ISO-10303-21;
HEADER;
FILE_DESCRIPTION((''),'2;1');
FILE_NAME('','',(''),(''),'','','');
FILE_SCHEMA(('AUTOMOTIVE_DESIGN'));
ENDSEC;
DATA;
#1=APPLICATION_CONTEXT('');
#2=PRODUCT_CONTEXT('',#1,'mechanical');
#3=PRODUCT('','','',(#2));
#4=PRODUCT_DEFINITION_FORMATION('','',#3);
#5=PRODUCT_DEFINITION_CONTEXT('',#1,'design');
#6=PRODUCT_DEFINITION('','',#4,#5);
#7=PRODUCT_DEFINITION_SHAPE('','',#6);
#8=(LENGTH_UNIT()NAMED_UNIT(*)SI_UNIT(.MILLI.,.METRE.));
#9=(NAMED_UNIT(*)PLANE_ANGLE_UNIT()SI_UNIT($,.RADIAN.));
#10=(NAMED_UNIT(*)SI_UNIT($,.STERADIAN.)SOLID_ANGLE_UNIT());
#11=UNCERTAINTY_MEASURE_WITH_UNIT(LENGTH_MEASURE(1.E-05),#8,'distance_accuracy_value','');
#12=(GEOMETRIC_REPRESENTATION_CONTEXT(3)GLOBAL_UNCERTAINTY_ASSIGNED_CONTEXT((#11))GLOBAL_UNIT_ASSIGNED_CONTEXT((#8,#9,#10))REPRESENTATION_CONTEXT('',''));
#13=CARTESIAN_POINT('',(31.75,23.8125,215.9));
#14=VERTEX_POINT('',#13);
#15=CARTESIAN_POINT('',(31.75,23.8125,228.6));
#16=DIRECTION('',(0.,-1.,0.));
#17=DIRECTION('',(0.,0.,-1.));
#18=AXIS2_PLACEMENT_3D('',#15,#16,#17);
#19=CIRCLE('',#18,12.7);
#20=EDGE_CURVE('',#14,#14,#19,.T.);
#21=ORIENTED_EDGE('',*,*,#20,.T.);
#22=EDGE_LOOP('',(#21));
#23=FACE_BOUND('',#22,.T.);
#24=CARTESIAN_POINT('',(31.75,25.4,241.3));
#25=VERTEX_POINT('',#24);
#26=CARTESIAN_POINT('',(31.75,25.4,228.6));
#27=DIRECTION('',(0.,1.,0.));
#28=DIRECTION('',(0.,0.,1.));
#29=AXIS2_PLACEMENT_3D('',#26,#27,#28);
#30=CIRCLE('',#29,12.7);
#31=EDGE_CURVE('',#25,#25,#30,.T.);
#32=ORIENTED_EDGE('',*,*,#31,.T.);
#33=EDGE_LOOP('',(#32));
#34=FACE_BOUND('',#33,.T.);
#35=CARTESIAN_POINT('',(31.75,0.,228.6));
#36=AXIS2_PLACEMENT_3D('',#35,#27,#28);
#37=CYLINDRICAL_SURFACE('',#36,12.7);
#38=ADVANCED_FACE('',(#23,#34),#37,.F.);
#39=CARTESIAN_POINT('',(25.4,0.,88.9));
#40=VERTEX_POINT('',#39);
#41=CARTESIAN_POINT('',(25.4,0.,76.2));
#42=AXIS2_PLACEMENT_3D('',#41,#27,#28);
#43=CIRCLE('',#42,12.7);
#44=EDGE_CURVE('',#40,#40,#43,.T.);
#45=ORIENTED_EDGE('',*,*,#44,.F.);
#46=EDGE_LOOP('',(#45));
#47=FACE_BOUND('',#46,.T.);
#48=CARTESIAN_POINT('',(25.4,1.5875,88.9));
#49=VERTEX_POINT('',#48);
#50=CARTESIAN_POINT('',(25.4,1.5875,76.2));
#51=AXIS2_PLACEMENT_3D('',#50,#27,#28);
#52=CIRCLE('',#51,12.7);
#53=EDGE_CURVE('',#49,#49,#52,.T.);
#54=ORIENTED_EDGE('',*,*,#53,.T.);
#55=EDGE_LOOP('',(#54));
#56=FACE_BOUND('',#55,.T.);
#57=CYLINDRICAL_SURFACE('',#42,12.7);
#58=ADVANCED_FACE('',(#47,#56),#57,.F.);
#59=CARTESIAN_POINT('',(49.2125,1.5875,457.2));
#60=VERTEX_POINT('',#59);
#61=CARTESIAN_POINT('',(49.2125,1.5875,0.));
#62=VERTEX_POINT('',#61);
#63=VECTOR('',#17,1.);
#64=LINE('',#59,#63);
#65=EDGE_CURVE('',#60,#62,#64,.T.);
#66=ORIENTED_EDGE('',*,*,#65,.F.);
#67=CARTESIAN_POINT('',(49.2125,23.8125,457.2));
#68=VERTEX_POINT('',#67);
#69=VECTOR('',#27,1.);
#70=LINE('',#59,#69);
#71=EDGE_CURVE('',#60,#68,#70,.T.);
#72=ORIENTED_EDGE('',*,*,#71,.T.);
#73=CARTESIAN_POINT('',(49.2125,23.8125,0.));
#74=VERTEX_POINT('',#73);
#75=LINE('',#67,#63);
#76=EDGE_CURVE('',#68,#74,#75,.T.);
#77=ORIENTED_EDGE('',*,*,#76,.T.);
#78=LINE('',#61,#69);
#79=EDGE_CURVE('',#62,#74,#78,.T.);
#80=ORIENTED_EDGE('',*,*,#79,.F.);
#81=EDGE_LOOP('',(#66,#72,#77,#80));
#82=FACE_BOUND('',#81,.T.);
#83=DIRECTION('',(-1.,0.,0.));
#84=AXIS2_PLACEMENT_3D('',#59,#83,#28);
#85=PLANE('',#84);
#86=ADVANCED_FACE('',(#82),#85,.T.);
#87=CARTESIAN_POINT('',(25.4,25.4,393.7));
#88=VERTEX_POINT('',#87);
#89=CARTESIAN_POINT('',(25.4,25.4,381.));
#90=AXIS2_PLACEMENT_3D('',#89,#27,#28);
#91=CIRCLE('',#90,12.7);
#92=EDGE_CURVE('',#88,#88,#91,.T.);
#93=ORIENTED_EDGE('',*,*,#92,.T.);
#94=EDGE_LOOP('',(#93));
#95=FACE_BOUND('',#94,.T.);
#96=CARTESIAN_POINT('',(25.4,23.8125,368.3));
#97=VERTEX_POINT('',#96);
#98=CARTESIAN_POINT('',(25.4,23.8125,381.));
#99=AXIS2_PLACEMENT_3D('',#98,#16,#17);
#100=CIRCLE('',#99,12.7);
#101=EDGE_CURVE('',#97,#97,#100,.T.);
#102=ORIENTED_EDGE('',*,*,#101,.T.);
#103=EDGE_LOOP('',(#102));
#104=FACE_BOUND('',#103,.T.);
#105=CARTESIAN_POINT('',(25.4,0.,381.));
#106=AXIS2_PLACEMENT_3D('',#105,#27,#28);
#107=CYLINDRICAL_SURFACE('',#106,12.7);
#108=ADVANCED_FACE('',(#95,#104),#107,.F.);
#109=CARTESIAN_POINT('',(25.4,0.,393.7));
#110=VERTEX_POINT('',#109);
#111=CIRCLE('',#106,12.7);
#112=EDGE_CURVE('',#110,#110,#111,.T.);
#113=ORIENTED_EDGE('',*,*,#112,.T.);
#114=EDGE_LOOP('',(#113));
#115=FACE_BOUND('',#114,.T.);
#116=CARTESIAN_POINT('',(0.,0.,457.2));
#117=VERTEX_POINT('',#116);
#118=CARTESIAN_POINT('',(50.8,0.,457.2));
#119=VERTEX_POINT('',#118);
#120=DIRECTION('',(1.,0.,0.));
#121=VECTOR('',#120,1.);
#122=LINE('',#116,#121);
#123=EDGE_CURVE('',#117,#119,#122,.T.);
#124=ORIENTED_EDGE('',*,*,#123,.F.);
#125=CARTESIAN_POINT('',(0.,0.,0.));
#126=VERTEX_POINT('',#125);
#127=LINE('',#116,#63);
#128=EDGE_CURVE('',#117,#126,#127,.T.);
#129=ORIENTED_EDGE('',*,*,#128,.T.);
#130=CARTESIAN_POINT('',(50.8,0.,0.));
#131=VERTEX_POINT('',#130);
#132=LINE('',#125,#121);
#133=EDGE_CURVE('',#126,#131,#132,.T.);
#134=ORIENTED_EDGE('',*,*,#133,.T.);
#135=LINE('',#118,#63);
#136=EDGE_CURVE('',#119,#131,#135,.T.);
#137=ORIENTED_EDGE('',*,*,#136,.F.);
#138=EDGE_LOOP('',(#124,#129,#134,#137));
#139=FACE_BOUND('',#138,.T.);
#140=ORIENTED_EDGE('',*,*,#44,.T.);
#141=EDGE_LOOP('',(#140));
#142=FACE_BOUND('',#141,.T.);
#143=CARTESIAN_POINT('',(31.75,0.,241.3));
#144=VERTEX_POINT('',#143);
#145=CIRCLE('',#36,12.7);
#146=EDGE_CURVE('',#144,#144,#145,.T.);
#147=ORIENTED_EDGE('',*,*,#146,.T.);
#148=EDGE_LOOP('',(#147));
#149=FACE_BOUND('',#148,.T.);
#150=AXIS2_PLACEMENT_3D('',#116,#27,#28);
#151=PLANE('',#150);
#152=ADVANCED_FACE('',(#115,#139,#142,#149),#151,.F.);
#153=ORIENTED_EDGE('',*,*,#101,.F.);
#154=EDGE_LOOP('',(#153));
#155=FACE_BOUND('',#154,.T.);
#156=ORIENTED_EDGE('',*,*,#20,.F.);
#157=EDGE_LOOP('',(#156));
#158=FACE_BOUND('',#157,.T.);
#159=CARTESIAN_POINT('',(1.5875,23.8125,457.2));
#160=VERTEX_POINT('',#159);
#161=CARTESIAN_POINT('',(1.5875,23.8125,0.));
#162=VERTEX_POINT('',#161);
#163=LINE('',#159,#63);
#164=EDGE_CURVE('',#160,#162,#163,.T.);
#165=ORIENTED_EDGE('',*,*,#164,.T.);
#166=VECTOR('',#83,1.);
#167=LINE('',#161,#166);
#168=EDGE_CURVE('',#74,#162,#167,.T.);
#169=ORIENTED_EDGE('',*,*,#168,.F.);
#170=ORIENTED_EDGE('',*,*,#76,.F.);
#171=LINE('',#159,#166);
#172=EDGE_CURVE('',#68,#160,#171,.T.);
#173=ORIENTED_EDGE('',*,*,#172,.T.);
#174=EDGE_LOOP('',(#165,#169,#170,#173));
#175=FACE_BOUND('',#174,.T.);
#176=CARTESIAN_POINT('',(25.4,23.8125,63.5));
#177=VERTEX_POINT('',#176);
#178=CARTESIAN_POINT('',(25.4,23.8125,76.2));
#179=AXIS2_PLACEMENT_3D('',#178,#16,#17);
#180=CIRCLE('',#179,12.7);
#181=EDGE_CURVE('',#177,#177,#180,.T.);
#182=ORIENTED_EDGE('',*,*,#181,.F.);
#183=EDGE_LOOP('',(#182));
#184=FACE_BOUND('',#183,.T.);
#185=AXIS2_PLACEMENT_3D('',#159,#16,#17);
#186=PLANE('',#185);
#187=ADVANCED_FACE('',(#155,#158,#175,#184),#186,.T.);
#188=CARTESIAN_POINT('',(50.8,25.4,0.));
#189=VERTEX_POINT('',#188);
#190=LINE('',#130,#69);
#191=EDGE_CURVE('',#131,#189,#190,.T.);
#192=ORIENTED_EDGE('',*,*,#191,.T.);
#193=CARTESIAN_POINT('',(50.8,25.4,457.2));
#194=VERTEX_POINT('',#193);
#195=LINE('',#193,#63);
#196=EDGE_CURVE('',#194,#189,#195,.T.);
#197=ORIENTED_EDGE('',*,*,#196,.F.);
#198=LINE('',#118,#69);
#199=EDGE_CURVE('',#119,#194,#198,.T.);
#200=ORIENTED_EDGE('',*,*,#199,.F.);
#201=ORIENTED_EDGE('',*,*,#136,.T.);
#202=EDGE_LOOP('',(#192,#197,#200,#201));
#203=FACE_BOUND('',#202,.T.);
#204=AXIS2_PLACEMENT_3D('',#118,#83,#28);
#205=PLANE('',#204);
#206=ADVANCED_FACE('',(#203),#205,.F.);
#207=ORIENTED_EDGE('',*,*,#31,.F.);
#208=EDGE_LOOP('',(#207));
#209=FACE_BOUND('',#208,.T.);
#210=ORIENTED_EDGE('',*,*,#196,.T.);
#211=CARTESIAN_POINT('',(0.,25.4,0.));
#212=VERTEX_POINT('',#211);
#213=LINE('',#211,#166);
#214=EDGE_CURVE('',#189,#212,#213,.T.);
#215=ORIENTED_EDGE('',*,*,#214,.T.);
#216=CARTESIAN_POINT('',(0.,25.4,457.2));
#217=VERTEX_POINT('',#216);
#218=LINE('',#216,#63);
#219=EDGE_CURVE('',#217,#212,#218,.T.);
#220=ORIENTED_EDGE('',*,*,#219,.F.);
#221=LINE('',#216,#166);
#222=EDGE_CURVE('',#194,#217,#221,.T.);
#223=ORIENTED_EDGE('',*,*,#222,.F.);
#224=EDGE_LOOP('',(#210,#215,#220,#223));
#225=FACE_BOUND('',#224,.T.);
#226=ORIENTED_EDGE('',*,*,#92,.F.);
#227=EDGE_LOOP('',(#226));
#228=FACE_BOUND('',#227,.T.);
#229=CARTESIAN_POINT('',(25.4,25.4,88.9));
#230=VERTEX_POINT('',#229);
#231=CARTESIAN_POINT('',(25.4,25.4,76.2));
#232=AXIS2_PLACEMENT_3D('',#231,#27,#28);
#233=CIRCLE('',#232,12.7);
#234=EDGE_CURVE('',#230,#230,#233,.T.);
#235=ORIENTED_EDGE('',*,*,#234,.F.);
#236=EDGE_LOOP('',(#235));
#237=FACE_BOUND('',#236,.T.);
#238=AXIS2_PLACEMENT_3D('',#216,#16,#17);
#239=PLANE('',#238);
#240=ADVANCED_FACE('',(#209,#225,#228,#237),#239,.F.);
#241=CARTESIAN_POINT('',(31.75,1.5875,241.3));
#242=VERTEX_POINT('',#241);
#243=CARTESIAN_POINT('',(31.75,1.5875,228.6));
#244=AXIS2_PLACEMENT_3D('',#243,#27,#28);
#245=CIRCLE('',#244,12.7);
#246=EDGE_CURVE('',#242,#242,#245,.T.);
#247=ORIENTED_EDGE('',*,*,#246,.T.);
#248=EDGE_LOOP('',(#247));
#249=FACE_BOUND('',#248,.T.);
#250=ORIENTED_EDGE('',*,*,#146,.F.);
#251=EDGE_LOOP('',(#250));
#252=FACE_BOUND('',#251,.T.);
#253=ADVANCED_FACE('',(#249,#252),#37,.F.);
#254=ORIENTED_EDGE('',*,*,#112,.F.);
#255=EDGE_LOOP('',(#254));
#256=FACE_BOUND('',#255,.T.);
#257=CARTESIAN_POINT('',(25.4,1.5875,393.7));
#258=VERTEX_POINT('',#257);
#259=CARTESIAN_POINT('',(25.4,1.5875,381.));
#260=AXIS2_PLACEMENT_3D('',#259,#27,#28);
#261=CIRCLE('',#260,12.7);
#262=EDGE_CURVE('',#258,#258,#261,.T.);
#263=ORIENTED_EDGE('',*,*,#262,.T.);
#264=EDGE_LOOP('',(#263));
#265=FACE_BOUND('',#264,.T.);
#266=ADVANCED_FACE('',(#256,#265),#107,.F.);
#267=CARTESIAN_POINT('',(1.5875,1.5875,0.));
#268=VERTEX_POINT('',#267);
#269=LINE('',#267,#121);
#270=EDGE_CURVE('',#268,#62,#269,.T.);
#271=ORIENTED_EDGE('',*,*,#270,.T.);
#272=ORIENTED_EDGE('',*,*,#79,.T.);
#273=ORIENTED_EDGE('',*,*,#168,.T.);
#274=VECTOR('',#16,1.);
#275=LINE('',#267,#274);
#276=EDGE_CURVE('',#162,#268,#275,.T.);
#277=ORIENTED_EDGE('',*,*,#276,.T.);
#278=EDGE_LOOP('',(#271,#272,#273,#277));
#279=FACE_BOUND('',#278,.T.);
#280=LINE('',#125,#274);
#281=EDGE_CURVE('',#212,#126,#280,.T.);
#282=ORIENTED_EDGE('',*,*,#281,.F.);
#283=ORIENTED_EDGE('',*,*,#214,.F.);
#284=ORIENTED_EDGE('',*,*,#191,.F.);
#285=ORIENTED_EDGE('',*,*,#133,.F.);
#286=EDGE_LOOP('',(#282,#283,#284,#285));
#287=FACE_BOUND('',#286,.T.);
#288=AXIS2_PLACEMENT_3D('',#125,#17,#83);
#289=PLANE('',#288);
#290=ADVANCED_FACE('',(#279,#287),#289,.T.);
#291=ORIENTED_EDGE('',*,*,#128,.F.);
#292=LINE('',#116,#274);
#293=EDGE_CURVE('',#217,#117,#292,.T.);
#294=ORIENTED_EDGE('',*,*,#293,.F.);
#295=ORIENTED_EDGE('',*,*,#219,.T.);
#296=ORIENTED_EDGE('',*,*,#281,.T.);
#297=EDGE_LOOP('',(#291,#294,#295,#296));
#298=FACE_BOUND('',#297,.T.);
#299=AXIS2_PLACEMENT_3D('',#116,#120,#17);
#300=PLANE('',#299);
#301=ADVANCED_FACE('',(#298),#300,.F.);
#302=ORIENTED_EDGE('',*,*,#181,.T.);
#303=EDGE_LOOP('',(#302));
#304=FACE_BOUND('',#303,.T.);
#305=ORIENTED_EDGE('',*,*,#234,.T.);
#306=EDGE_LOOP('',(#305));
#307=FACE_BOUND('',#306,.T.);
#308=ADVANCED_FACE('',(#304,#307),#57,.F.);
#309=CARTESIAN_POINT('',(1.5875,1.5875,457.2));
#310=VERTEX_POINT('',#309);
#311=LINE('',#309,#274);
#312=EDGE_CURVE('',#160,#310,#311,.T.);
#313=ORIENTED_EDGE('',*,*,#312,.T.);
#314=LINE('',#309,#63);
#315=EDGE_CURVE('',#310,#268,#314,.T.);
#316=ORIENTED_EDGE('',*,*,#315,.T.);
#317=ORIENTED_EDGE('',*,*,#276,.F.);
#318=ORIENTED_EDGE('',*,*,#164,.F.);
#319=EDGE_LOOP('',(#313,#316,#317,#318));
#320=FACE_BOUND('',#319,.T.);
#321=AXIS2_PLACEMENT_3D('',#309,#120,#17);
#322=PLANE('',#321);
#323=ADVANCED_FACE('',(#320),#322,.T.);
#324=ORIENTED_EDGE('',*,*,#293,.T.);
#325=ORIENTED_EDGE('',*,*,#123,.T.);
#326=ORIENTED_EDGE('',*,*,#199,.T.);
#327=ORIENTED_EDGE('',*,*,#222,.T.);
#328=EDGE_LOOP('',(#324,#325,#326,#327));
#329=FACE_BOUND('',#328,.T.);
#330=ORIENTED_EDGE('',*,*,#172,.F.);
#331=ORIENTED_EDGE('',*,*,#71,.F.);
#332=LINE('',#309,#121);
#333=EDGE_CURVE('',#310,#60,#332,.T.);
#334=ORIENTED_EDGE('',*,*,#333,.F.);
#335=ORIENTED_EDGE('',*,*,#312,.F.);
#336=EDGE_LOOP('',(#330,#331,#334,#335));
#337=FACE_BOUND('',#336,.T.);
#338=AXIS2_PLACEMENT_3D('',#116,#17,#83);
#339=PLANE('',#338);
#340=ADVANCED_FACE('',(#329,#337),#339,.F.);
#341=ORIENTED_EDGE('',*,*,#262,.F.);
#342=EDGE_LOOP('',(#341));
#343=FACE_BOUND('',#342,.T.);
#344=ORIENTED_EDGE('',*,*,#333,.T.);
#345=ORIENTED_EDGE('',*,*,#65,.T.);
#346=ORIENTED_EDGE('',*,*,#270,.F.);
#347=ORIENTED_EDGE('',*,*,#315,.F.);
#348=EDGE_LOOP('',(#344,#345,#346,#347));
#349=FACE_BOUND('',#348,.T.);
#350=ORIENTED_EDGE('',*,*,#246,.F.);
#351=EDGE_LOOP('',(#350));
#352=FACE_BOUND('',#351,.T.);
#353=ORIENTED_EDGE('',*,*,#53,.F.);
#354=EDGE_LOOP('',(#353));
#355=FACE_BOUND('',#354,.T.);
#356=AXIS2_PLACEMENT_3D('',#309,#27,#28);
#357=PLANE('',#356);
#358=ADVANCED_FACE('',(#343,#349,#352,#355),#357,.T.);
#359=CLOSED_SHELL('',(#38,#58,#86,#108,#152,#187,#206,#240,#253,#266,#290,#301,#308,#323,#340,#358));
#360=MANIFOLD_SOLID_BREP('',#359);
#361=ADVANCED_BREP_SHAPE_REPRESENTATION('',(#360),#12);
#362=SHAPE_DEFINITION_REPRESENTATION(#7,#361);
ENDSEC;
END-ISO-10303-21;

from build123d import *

# Parameters (mm, degrees)
SKETCH1_W           = 50.8
SKETCH1_H           = 25.4
SKETCH1_W_2         = 47.625
SKETCH1_H_2         = 22.225
BOSS_EXTRUDE1_DEPTH = 457.2
SKETCH2_R           = 12.7
CUT_EXTRUDE1_DEPTH  = 25.4
SKETCH4_R           = 12.7
CUT_EXTRUDE2_DEPTH  = 25.4
SKETCH5_R           = 12.7
CUT_EXTRUDE5_DEPTH  = 25.4


with BuildPart() as part:
    # Sketch1 → Boss-Extrude1 (new body)
    with BuildSketch(Plane.XY):
        with Locations((25.4, 12.7)):
            Rectangle(SKETCH1_W, SKETCH1_H)
        with Locations((25.4, 12.7)):
            Rectangle(SKETCH1_W_2, SKETCH1_H_2, mode=Mode.SUBTRACT)
    extrude(amount=BOSS_EXTRUDE1_DEPTH)

    # Sketch2 → Cut-Extrude1 (cut)
    with BuildSketch(Plane(origin=(0, 25.4, 0), x_dir=(1, 0, 0), z_dir=(0, 1, 0))):
        with Locations(Location((25.4, -381, 0), (0, 0, 270))):
            Circle(SKETCH2_R)
    extrude(amount=-CUT_EXTRUDE1_DEPTH, mode=Mode.SUBTRACT)

    # Sketch4 → Cut-Extrude2 (cut)
    with BuildSketch(Plane(origin=(0, 25.4, 0), x_dir=(1, 0, 0), z_dir=(0, 1, 0))):
        with Locations(Location((25.4, -76.2, 0), (0, 0, 270))):
            Circle(SKETCH4_R)
    extrude(amount=-CUT_EXTRUDE2_DEPTH, mode=Mode.SUBTRACT)

    # Sketch5 → Cut-Extrude5 (cut)
    with BuildSketch(Plane(origin=(0, 25.4, 0), x_dir=(1, 0, 0), z_dir=(0, 1, 0))):
        with Locations(Location((31.75, -228.6, 0), (0, 0, 270))):
            Circle(SKETCH5_R)
    extrude(amount=-CUT_EXTRUDE5_DEPTH, mode=Mode.SUBTRACT)


solid = part.part
